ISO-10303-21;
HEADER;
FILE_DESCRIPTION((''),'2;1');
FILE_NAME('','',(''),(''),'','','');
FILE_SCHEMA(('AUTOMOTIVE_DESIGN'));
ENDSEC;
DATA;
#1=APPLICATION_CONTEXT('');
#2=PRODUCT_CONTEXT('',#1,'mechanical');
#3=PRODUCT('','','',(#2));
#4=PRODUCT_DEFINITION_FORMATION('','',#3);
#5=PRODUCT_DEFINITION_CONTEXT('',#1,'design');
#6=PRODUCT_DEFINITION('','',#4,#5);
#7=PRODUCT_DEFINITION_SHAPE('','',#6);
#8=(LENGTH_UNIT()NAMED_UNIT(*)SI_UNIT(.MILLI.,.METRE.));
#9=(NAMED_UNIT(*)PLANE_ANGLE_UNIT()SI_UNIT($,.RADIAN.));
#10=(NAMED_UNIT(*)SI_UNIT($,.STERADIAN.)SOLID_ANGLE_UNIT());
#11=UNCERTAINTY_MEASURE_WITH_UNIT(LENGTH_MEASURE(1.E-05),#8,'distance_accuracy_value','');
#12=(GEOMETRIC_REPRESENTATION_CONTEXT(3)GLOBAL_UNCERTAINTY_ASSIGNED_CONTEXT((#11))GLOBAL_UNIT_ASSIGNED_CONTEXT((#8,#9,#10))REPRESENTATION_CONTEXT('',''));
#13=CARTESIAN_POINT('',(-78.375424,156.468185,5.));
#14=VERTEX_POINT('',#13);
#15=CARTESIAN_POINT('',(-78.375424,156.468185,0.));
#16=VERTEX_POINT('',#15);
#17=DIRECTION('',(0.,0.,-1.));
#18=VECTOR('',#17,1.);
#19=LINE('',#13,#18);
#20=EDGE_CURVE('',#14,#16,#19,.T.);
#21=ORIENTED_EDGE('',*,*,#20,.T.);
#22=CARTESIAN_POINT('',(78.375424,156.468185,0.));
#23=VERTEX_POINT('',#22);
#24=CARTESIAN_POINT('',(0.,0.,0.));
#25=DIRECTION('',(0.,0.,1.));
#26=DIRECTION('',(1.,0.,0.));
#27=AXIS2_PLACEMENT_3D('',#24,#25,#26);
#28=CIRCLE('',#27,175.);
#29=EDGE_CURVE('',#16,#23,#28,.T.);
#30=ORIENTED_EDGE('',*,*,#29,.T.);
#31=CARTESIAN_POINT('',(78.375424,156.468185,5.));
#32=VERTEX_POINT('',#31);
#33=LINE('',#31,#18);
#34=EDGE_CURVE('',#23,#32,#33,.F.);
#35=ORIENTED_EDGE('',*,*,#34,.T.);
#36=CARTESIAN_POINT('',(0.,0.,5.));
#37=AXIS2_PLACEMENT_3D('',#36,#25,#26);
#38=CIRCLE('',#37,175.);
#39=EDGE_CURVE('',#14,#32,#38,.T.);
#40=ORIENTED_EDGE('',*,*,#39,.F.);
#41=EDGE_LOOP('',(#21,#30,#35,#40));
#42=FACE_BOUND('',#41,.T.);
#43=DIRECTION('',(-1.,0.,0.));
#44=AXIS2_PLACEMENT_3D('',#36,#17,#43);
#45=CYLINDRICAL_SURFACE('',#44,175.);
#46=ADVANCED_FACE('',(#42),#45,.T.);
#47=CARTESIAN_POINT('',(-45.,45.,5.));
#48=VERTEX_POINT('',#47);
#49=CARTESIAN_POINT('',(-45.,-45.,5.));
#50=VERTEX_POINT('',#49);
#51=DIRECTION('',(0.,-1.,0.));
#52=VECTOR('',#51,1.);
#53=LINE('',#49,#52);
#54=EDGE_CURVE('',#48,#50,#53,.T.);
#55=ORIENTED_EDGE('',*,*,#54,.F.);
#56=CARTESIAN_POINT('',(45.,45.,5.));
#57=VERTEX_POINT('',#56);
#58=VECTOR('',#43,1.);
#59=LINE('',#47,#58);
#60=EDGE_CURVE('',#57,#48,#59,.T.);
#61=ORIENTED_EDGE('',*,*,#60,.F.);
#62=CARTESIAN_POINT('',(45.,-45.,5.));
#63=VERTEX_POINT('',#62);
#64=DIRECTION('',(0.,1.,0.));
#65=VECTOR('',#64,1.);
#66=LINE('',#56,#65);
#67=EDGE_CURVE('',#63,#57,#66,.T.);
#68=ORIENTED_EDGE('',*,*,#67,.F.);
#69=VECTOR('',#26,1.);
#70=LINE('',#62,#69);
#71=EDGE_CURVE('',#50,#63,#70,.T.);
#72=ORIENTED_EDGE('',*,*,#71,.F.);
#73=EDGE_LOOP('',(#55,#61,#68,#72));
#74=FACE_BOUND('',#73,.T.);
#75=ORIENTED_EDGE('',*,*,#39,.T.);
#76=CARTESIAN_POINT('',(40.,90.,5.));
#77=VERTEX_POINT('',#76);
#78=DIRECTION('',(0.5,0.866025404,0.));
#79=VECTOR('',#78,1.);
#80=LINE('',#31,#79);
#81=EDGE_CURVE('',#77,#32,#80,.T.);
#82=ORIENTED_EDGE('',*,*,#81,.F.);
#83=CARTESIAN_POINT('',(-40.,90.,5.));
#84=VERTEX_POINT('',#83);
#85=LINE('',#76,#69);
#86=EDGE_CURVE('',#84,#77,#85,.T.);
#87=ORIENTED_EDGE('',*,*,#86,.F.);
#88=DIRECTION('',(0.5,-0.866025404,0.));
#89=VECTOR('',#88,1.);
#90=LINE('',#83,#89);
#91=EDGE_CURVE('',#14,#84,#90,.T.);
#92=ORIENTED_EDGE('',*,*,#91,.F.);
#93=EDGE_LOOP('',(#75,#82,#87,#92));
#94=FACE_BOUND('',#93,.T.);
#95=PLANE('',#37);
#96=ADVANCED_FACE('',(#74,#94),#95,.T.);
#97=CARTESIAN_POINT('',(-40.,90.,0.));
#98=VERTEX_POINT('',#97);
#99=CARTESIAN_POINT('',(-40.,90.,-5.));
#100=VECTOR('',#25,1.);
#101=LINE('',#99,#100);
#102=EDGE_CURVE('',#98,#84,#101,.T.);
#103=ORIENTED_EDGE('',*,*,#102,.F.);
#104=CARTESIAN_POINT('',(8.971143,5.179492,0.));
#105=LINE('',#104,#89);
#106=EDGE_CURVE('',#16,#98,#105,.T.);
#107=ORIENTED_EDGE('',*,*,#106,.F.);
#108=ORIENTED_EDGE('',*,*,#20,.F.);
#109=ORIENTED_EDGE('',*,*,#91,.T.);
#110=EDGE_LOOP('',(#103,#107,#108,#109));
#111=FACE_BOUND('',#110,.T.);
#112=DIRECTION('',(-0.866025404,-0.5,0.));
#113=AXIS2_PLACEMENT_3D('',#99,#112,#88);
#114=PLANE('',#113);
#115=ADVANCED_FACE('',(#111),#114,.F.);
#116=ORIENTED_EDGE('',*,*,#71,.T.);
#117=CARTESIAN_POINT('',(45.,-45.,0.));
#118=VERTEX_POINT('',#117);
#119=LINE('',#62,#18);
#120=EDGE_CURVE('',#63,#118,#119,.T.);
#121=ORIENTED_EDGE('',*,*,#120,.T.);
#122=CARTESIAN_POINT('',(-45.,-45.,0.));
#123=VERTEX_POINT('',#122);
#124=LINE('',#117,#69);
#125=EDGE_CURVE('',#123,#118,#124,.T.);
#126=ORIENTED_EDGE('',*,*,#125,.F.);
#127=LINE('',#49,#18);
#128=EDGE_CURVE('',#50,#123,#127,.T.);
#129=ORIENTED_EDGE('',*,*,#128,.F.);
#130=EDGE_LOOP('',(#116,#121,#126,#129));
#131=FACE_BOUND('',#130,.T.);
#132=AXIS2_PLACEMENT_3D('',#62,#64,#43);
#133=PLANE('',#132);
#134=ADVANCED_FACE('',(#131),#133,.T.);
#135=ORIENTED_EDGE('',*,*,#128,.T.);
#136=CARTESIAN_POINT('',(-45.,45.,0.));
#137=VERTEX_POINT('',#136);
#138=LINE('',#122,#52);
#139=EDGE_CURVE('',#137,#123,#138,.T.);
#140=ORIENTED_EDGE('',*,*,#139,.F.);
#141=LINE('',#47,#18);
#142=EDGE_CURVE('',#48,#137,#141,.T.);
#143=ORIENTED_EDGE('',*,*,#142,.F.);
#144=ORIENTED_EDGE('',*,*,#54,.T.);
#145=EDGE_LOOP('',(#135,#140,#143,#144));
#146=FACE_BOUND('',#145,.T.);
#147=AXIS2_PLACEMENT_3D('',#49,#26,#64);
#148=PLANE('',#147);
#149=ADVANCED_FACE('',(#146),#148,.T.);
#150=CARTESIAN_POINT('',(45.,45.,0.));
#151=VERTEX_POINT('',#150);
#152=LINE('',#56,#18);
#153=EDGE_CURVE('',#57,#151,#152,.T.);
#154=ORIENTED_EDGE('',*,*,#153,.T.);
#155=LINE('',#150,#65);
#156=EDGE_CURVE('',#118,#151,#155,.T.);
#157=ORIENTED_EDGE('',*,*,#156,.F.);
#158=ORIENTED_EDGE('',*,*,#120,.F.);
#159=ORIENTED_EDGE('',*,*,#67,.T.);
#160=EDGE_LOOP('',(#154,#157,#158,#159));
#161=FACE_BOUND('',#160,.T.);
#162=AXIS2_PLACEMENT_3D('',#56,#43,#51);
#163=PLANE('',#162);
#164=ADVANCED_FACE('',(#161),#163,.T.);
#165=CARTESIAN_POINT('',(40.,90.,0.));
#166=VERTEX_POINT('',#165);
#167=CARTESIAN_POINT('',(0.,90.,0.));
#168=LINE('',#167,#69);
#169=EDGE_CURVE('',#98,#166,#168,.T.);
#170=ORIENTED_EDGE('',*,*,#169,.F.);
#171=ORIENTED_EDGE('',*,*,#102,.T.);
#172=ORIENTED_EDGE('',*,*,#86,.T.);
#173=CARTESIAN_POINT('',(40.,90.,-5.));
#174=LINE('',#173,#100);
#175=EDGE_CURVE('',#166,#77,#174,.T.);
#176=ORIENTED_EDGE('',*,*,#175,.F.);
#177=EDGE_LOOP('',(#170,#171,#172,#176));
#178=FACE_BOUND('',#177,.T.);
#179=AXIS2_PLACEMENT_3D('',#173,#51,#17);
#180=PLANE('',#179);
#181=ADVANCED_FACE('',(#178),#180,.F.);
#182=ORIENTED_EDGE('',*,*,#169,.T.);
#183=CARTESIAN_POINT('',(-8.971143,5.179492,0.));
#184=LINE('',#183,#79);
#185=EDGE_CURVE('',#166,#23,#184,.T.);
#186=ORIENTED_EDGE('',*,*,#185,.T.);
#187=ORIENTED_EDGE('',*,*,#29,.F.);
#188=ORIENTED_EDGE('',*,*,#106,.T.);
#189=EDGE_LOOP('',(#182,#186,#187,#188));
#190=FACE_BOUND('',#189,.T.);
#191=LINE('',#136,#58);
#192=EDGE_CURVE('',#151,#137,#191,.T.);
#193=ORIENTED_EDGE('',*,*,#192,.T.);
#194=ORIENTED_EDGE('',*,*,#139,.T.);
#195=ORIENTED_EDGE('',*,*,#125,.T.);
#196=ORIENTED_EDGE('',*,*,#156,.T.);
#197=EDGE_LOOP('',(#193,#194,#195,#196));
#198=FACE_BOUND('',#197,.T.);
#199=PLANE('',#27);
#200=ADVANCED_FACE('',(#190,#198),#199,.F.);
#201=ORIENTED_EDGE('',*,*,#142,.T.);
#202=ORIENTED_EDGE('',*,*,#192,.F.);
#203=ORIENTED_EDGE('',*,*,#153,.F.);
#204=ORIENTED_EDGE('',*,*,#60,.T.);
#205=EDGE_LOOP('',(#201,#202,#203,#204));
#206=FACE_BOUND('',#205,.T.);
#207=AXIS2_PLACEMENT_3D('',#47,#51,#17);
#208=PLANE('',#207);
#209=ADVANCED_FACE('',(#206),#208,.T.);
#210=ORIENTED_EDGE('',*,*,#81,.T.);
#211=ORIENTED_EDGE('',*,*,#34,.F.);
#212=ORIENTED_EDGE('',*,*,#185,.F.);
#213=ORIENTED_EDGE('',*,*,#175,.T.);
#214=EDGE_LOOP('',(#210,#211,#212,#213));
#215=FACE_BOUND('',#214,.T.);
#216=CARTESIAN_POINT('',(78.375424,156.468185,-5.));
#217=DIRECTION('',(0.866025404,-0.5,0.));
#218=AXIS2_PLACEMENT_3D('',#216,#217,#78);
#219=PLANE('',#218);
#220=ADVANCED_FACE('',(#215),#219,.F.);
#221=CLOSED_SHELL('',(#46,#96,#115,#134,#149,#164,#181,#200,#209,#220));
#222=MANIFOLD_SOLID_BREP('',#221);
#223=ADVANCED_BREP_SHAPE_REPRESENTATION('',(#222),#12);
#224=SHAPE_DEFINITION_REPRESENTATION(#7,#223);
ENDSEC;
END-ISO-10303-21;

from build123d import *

# Parameters (mm, degrees)
ESQUISSE1_R             = 175
ESQUISSE1_W             = 90
ESQUISSE1_H             = 90
BOSS_EXTRU_1_DEPTH      = 5
ENL_V_MAT_EXTRU_1_DEPTH = 10


with BuildPart() as part:
    # Esquisse1 → Boss.-Extru.1 (new body)
    with BuildSketch(Plane.XY):
        Circle(ESQUISSE1_R)
        Rectangle(ESQUISSE1_W, ESQUISSE1_H, mode=Mode.SUBTRACT)
    extrude(amount=BOSS_EXTRU_1_DEPTH)

    # Esquisse2 → Enlèv. mat.-Extru.1 (cut)
    with BuildSketch(Plane.XY.offset(5)):
        with BuildLine():
            Line((78.375424383, 156.468184794), (40, 90))
            Line((40, 90), (-40, 90))
            Line((-40, 90), (-78.375424383, 156.468184794))
            ThreePointArc((-78.375424383, 156.468184794), (0, 177.468816464), (78.375424383, 156.468184794))
        make_face()
    extrude(amount=-ENL_V_MAT_EXTRU_1_DEPTH, mode=Mode.SUBTRACT)


solid = part.part
